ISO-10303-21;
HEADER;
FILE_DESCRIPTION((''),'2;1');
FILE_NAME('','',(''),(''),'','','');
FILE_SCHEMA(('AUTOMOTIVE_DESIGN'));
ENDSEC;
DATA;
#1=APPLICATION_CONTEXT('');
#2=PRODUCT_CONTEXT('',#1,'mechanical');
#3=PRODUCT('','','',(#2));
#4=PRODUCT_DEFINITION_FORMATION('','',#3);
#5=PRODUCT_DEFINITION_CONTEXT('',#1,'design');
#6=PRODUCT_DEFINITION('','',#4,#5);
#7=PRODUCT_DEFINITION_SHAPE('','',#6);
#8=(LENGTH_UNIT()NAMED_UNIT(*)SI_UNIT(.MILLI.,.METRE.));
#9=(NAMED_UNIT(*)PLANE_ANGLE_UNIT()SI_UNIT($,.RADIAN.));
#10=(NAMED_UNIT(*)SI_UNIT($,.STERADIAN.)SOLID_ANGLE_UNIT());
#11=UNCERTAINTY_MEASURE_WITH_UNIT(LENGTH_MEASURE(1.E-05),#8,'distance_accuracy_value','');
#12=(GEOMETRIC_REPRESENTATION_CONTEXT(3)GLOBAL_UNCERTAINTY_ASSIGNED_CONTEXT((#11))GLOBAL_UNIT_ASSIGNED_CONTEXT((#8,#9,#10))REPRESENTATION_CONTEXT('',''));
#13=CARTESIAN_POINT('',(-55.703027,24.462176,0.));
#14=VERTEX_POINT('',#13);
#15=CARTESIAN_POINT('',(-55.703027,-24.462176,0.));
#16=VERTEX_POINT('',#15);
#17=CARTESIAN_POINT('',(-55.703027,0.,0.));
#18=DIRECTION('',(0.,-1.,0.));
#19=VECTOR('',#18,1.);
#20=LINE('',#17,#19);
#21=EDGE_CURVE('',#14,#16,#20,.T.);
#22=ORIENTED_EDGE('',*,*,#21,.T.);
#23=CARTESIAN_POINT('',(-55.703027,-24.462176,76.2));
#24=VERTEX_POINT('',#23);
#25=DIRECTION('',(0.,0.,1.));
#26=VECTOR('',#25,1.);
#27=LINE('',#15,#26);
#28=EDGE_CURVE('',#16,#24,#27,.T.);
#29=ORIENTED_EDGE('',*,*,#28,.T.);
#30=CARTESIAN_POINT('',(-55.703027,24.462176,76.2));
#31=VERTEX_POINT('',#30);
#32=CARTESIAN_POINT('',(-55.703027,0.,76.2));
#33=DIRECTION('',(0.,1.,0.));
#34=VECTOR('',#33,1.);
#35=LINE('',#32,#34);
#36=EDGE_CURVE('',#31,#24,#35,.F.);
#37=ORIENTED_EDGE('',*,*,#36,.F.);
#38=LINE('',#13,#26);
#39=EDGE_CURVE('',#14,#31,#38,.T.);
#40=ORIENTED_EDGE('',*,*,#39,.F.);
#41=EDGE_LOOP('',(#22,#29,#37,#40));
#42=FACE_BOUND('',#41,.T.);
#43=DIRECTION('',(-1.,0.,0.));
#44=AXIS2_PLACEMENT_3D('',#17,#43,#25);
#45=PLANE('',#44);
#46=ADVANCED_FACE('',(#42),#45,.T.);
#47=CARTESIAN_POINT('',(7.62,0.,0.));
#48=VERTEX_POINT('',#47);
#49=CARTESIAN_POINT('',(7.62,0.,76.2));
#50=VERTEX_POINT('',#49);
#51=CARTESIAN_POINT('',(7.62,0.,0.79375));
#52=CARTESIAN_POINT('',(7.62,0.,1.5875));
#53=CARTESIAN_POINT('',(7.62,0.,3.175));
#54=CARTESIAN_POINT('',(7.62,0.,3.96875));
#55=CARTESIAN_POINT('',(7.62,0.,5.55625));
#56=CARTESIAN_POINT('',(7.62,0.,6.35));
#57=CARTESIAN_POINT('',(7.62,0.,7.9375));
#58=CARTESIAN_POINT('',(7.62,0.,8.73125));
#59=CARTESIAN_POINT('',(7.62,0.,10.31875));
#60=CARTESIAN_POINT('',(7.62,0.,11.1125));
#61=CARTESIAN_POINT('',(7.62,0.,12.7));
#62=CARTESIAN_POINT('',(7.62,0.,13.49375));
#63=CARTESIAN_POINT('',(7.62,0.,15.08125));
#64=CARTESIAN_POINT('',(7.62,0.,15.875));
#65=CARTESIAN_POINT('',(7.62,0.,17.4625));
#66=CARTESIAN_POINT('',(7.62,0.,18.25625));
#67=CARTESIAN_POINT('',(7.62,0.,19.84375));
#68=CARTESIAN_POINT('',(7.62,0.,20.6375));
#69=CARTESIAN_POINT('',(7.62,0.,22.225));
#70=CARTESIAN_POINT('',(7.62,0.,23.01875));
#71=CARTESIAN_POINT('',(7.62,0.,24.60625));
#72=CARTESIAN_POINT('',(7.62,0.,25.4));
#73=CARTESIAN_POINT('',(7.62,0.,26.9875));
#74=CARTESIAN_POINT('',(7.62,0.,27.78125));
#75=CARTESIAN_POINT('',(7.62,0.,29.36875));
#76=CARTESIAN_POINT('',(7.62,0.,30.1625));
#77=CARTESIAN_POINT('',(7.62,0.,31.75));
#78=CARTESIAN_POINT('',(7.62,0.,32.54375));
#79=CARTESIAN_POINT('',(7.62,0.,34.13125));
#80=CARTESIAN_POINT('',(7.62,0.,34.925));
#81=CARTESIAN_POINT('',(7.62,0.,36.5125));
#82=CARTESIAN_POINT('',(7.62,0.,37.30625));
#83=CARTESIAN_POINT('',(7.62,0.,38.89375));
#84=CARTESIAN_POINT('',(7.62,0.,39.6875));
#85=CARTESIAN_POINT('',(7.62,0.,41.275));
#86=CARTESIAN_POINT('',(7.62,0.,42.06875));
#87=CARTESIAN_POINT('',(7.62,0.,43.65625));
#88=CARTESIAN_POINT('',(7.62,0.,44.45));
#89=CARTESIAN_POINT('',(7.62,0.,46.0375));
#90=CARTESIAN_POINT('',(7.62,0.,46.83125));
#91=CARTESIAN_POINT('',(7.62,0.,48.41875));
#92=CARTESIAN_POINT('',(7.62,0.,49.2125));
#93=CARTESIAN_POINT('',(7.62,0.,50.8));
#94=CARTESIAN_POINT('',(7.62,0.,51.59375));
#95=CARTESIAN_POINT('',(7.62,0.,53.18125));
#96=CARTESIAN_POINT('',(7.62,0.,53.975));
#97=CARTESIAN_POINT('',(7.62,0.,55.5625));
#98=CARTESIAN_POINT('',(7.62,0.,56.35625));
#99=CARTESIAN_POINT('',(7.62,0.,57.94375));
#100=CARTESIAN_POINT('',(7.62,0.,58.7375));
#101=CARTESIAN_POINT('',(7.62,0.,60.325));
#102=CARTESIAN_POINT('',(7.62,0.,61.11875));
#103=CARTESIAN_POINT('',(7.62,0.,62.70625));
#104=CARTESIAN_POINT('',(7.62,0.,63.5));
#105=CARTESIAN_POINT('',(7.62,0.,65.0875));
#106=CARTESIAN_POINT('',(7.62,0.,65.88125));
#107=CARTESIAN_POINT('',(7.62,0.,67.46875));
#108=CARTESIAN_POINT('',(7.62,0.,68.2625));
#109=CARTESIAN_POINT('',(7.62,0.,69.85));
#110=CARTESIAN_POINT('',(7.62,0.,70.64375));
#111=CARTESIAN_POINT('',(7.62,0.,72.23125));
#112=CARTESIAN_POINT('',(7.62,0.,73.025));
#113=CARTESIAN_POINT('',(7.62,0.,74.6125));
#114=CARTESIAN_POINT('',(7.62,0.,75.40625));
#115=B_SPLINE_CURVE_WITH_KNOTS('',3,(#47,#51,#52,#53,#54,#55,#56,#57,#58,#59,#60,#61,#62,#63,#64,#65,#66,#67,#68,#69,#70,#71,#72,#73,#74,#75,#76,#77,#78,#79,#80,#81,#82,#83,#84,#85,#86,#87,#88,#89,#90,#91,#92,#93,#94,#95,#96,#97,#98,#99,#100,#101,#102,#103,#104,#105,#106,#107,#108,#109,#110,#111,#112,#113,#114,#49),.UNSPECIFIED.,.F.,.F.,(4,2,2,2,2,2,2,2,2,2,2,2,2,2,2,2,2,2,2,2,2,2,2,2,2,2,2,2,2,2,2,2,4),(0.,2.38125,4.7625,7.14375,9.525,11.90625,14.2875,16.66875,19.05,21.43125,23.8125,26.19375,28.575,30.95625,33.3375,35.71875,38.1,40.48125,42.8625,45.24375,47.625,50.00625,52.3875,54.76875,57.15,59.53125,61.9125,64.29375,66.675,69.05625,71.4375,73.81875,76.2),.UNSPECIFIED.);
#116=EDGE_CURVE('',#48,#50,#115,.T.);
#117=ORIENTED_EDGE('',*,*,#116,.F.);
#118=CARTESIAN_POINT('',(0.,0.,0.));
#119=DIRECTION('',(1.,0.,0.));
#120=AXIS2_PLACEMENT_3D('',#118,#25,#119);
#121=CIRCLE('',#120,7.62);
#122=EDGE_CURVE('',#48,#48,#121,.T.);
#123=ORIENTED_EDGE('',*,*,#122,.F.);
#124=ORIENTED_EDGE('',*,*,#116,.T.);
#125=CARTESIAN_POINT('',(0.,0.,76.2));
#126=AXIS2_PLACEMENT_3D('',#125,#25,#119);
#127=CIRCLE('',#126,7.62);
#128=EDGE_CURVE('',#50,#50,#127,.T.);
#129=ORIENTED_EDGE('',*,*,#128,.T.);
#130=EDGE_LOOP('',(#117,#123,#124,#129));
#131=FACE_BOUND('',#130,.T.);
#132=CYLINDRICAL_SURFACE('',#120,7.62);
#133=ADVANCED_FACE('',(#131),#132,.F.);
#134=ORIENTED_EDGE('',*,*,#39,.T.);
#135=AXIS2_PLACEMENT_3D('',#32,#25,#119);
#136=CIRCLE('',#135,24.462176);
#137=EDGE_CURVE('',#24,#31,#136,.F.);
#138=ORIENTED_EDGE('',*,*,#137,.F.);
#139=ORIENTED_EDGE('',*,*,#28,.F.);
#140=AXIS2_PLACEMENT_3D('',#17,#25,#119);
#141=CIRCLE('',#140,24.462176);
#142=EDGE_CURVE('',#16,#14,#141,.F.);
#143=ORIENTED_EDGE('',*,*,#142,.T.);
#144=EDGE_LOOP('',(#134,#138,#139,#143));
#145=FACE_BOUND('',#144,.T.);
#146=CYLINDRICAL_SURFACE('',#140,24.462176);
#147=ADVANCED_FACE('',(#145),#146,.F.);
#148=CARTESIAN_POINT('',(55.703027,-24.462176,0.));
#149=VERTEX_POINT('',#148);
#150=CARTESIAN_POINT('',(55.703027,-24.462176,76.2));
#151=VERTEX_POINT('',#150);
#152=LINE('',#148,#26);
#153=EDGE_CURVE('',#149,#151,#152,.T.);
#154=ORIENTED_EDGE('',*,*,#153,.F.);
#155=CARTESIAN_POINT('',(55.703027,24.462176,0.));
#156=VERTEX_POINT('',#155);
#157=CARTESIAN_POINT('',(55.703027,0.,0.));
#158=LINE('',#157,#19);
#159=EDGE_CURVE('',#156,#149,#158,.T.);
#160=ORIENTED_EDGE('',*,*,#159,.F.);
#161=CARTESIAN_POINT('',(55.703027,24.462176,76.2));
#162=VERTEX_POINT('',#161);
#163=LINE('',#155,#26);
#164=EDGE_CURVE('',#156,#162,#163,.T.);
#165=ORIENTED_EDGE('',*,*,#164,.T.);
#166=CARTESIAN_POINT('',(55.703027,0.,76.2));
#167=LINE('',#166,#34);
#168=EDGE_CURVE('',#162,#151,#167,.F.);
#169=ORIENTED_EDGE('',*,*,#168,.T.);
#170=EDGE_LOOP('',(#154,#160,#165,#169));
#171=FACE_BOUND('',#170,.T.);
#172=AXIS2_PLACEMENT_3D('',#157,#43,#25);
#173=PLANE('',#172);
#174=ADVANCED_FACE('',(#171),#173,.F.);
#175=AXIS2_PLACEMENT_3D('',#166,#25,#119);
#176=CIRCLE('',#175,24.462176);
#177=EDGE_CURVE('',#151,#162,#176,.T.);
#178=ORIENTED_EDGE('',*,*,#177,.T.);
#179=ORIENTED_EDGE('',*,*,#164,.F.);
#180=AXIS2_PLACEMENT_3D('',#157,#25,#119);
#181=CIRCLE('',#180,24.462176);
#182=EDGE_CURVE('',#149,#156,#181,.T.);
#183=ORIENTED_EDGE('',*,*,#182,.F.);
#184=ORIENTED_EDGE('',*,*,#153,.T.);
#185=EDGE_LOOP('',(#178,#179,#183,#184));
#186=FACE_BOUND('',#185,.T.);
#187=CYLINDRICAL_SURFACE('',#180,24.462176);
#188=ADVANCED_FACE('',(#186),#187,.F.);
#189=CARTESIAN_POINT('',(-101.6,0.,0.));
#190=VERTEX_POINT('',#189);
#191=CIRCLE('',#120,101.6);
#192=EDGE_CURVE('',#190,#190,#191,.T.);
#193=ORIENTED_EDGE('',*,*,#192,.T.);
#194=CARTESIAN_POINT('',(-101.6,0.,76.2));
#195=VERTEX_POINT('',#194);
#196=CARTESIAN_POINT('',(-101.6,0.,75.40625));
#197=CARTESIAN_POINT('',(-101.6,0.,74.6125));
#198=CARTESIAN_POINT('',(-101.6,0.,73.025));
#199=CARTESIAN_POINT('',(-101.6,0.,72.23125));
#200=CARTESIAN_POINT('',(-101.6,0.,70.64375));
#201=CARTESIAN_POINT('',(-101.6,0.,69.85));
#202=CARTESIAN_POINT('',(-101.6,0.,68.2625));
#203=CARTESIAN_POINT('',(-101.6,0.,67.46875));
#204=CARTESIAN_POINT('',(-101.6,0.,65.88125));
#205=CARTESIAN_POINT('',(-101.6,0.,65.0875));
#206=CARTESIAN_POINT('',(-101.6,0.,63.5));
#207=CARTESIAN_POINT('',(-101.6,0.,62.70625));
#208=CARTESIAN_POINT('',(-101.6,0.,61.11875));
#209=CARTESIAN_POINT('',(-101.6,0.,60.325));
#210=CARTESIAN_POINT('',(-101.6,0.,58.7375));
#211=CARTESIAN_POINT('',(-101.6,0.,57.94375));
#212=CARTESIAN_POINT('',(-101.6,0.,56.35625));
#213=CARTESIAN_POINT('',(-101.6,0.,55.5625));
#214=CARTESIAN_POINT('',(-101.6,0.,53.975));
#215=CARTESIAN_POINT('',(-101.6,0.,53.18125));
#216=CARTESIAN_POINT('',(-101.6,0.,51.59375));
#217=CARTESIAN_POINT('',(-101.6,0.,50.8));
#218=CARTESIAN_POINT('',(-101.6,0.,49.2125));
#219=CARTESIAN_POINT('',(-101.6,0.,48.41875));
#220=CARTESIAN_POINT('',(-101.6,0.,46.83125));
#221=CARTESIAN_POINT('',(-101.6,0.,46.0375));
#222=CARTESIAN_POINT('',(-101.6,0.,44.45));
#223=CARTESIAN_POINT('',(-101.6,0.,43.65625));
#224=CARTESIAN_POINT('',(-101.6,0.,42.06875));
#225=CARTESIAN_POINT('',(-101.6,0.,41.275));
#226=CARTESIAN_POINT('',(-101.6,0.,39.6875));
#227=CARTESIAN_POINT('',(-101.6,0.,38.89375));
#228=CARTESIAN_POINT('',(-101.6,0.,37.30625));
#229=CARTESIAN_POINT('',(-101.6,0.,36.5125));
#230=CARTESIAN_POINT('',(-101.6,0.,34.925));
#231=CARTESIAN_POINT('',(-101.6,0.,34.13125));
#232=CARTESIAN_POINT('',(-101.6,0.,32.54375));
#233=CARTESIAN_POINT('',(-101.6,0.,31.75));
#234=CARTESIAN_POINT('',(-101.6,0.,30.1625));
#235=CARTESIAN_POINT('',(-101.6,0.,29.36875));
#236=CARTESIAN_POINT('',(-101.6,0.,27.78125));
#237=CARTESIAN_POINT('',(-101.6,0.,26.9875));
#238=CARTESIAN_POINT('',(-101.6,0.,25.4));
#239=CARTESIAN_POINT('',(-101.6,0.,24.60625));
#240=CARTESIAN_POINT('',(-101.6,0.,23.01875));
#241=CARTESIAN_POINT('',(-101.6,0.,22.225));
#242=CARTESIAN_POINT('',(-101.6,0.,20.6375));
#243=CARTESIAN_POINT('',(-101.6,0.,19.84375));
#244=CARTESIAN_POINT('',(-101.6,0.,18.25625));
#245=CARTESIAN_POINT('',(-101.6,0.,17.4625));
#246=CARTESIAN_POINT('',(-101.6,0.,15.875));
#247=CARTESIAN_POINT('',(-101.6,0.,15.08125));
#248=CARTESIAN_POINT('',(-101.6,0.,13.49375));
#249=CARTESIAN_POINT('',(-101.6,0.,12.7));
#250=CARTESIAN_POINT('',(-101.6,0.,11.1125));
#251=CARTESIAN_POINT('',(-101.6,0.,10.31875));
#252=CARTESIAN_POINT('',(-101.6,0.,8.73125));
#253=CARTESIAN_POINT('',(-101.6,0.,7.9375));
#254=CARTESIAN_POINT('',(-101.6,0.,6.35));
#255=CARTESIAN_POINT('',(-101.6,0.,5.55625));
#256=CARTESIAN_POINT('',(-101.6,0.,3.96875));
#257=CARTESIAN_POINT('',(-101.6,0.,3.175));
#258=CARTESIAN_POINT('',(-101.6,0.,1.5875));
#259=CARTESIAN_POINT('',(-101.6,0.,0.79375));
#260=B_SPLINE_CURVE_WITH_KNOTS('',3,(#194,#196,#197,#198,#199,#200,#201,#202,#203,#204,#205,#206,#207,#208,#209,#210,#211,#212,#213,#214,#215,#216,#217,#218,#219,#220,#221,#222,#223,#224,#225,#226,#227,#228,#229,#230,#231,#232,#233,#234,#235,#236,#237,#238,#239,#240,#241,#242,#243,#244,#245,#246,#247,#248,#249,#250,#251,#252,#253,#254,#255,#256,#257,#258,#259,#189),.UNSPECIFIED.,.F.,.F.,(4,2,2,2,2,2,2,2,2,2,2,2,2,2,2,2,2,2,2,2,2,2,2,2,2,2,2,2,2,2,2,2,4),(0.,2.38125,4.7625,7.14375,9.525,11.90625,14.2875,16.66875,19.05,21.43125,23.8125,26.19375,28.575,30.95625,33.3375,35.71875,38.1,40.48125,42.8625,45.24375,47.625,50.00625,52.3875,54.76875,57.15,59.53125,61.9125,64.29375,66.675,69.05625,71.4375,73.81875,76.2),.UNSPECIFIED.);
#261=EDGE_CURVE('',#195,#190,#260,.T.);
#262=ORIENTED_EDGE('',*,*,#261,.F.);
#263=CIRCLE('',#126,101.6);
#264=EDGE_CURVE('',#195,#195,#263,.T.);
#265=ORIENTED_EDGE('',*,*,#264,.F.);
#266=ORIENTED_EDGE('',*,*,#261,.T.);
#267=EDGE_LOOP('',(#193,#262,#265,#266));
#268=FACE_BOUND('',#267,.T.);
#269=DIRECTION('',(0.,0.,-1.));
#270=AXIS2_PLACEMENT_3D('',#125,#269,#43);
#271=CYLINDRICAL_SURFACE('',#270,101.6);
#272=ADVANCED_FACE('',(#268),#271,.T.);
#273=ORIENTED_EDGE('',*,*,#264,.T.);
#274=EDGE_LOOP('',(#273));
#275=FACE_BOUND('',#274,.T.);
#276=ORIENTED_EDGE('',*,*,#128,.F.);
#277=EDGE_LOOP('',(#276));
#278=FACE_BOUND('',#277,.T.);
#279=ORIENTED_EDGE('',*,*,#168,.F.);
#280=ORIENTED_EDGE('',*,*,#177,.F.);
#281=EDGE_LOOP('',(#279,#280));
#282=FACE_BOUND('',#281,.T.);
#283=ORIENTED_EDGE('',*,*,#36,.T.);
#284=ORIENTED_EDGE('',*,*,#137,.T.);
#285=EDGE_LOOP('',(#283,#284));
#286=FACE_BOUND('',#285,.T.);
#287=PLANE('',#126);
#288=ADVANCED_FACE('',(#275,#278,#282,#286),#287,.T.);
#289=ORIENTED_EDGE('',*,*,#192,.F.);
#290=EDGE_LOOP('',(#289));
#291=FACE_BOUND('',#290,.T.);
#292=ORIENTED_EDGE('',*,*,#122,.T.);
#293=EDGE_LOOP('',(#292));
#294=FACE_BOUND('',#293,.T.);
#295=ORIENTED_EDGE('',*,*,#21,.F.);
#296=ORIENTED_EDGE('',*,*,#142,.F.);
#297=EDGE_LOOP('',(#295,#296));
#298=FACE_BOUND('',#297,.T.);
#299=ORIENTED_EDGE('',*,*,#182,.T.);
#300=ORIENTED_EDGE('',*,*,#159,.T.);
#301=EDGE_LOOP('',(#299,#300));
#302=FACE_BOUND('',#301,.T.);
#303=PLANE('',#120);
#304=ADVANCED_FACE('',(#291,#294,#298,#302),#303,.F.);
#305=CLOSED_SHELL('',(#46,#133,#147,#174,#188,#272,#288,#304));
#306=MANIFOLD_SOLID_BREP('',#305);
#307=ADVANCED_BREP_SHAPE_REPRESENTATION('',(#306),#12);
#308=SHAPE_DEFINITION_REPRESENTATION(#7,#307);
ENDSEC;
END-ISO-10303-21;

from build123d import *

# Parameters (mm, degrees)
SKETCH1_R               = 101.6
BOSS_EXTRUDE1_DEPTH     = 76.2
CUT_EXTRUDE7_DEPTH      = 163.639355631
CUT_EXTRUDE7_DEPTH_BACK = 163.639355631
SKETCH3_R               = 7.62
CUT_EXTRUDE8_DEPTH      = 163.639355631


with BuildPart() as part:
    # Sketch1 → Boss-Extrude1 (new body)
    with BuildSketch(Plane.XY):
        with Locations(Location((0, 0, 0), (0, 0, 180))):
            Circle(SKETCH1_R)
    extrude(amount=BOSS_EXTRUDE1_DEPTH)

    # Sketch2 → Cut-Extrude7 (cut, two sides: drawn at the far end of the back side and taken through both)
    with BuildSketch(Plane.XY.offset(76.2).offset(-CUT_EXTRUDE7_DEPTH_BACK)):
        with BuildLine():
            ThreePointArc((-55.703026842, -24.462175809), (-80.165202651, 0), (-55.703026842, 24.462175809))
            Line((-55.703026842, 24.462175809), (-55.703026842, -24.462175809))
        make_face()
        with BuildLine():
            Line((55.703026842, 24.462175809), (55.703026842, -24.462175809))
            ThreePointArc((55.703026842, -24.462175809), (80.165202651, 0), (55.703026842, 24.462175809))
        make_face()
    extrude(amount=CUT_EXTRUDE7_DEPTH + CUT_EXTRUDE7_DEPTH_BACK, mode=Mode.SUBTRACT)

    # Sketch3 → Cut-Extrude8 (cut, through all)
    with BuildSketch(Plane.XY.offset(76.2)):
        Circle(SKETCH3_R)
    extrude(amount=-CUT_EXTRUDE8_DEPTH, mode=Mode.SUBTRACT)


solid = part.part
